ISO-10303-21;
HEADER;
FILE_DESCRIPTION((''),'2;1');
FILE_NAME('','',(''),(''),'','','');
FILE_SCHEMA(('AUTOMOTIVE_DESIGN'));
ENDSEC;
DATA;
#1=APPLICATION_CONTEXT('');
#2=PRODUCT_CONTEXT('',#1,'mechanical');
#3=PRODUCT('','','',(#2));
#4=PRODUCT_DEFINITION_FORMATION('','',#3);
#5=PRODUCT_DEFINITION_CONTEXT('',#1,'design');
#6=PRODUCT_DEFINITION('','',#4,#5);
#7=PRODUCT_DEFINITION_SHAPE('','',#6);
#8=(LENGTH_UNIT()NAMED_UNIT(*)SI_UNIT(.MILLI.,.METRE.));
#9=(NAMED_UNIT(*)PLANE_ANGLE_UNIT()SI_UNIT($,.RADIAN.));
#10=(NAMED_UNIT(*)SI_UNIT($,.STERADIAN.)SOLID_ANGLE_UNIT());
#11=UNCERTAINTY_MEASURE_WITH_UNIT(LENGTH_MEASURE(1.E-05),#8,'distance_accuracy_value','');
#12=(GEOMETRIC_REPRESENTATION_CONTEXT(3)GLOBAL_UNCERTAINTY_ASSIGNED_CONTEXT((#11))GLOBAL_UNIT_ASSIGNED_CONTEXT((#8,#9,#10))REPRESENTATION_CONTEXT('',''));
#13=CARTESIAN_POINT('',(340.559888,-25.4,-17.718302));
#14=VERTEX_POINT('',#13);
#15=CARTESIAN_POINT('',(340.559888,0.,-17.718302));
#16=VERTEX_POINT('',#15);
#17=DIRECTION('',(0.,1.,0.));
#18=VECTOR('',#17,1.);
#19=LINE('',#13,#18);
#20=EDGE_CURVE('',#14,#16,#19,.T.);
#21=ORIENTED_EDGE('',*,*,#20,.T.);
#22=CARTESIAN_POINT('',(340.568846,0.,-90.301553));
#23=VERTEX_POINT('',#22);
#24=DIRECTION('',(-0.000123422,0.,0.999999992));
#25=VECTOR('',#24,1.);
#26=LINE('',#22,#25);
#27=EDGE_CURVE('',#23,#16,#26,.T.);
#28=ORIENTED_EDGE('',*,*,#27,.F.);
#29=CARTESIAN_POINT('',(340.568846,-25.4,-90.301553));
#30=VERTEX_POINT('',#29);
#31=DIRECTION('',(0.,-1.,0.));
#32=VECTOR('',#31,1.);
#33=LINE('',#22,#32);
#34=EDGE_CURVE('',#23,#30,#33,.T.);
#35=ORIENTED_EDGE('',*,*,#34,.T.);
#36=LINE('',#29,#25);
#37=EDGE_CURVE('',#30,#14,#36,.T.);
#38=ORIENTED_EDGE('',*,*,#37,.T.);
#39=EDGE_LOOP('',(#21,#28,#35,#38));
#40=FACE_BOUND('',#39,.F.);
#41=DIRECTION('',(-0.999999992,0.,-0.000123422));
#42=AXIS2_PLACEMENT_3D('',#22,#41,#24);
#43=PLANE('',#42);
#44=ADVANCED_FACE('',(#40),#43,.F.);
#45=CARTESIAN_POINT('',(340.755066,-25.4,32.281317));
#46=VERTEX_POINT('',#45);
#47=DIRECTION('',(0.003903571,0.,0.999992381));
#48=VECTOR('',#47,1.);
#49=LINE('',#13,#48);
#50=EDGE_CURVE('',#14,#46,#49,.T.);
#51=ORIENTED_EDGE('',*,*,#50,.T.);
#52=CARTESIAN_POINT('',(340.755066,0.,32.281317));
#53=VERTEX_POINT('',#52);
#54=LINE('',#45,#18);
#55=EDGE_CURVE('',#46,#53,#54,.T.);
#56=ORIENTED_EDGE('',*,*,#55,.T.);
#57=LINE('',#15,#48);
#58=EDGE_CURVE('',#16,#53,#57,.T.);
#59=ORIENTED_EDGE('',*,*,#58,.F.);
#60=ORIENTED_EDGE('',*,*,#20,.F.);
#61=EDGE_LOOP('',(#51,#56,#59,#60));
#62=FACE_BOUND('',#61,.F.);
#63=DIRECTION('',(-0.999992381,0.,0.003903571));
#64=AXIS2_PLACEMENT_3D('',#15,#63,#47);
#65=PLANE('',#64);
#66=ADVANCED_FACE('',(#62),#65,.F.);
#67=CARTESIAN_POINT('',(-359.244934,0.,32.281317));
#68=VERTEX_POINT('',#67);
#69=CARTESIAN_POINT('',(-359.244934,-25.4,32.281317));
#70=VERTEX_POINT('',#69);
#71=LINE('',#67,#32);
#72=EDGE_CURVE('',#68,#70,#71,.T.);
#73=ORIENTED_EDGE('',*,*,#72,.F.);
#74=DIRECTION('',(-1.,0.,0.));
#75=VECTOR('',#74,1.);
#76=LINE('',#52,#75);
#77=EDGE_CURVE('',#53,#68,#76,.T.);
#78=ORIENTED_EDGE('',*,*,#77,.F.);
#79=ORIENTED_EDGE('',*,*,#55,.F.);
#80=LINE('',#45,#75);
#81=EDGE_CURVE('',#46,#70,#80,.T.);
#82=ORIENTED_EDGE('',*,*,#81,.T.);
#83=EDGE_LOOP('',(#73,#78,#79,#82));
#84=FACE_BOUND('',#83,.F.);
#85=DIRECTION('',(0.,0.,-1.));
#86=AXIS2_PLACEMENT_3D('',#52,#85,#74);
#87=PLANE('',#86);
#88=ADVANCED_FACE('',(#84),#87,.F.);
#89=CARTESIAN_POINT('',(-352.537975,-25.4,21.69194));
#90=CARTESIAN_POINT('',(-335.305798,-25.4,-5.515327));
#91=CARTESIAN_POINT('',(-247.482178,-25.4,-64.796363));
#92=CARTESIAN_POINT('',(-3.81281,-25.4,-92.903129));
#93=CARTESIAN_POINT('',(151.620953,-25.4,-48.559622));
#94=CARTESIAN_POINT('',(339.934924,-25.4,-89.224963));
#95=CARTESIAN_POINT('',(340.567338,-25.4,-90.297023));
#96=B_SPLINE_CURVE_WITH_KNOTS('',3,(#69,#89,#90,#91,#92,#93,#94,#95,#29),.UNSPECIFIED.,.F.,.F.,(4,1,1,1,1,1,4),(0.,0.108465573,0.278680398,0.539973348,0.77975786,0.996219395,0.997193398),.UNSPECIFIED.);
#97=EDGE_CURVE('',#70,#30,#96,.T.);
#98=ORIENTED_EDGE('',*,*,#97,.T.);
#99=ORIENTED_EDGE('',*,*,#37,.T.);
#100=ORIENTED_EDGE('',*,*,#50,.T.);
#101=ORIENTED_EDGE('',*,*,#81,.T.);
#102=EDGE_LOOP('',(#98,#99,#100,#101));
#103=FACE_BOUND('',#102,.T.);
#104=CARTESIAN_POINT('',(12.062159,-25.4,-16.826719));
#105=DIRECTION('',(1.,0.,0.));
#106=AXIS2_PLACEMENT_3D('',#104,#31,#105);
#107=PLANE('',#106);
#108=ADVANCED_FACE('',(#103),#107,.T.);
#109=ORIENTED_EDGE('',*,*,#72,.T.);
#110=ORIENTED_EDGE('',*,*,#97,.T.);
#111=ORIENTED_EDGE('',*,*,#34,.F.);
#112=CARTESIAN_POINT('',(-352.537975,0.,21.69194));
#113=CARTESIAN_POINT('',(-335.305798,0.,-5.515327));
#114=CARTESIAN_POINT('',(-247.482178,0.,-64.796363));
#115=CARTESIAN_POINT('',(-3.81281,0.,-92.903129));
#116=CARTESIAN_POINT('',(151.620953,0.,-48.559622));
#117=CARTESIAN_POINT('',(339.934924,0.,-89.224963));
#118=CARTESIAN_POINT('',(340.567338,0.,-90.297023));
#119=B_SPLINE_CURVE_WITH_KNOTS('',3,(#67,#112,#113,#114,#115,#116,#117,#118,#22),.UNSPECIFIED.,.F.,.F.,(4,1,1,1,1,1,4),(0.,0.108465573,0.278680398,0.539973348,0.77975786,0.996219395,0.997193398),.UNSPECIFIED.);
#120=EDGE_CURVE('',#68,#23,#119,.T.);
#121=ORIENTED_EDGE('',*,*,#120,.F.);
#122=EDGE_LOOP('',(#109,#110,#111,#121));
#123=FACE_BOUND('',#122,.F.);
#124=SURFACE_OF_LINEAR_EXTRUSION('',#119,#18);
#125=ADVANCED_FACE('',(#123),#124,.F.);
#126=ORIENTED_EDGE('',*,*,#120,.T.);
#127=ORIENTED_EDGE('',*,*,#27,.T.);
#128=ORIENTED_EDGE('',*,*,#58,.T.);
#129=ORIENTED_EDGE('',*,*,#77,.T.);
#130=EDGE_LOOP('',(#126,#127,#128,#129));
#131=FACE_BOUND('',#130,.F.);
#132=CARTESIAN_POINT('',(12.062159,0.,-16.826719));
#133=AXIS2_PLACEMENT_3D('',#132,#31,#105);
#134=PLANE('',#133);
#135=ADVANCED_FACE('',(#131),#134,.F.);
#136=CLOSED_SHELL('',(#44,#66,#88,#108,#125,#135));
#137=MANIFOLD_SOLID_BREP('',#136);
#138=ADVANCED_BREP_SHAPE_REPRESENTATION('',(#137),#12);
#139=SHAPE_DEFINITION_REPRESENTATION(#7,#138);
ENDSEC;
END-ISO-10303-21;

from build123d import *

# Parameters (mm, degrees)
F1_DEPTH = 25.4
F2_DEPTH = 5


with BuildPart() as f1:
    # F0 (on Front) → F1 (new body)
    with BuildSketch(Plane.XZ):
        with BuildLine():
            Line((340.7550662756, 32.2813168168), (-359.2449337244, 32.2813168168))
            add(Edge.make_bspline(
                [(-359.2449337244, 32.2813168168), (-352.5379748541, 21.6919399708), (-335.3057977476, -5.5153265097), (-247.4821775029, -64.796362583), (-3.8128095876, -92.9031288097), (151.6209531311, -48.5596215673), (339.9349238934, -89.224962992), (340.5673378529, -90.2970232241), (340.5688461394, -90.3015534119)],
                knots=[0, 0, 0, 0, 0.1084655731, 0.2786803976, 0.5399733478, 0.7797578602, 0.9962193954, 0.9971933981, 0.9971933981, 0.9971933981, 0.9971933981], degree=3))
            Line((340.5688461394, -90.3015534119), (340.559887749, -17.7183022352))
            Line((340.559887749, -17.7183022352), (340.7550662756, 32.2813168168))
        make_face()
    extrude(amount=F1_DEPTH)

    # F0 (on Front) → F2 (join)
    with BuildSketch(Plane.XZ):
        with BuildLine():
            Line((340.7550662756, 32.2813168168), (-359.2449337244, 32.2813168168))
            add(Edge.make_bspline(
                [(-359.2449337244, 32.2813168168), (-352.5379748541, 21.6919399708), (-335.3057977476, -5.5153265097), (-247.4821775029, -64.796362583), (-3.8128095876, -92.9031288097), (151.6209531311, -48.5596215673), (339.9349238934, -89.224962992), (340.5673378529, -90.2970232241), (340.5688461394, -90.3015534119)],
                knots=[0, 0, 0, 0, 0.1084655731, 0.2786803976, 0.5399733478, 0.7797578602, 0.9962193954, 0.9971933981, 0.9971933981, 0.9971933981, 0.9971933981], degree=3))
            Line((340.5688461394, -90.3015534119), (340.559887749, -17.7183022352))
            Line((340.559887749, -17.7183022352), (340.7550662756, 32.2813168168))
        make_face()
    extrude(amount=F2_DEPTH)


solid = f1.part
